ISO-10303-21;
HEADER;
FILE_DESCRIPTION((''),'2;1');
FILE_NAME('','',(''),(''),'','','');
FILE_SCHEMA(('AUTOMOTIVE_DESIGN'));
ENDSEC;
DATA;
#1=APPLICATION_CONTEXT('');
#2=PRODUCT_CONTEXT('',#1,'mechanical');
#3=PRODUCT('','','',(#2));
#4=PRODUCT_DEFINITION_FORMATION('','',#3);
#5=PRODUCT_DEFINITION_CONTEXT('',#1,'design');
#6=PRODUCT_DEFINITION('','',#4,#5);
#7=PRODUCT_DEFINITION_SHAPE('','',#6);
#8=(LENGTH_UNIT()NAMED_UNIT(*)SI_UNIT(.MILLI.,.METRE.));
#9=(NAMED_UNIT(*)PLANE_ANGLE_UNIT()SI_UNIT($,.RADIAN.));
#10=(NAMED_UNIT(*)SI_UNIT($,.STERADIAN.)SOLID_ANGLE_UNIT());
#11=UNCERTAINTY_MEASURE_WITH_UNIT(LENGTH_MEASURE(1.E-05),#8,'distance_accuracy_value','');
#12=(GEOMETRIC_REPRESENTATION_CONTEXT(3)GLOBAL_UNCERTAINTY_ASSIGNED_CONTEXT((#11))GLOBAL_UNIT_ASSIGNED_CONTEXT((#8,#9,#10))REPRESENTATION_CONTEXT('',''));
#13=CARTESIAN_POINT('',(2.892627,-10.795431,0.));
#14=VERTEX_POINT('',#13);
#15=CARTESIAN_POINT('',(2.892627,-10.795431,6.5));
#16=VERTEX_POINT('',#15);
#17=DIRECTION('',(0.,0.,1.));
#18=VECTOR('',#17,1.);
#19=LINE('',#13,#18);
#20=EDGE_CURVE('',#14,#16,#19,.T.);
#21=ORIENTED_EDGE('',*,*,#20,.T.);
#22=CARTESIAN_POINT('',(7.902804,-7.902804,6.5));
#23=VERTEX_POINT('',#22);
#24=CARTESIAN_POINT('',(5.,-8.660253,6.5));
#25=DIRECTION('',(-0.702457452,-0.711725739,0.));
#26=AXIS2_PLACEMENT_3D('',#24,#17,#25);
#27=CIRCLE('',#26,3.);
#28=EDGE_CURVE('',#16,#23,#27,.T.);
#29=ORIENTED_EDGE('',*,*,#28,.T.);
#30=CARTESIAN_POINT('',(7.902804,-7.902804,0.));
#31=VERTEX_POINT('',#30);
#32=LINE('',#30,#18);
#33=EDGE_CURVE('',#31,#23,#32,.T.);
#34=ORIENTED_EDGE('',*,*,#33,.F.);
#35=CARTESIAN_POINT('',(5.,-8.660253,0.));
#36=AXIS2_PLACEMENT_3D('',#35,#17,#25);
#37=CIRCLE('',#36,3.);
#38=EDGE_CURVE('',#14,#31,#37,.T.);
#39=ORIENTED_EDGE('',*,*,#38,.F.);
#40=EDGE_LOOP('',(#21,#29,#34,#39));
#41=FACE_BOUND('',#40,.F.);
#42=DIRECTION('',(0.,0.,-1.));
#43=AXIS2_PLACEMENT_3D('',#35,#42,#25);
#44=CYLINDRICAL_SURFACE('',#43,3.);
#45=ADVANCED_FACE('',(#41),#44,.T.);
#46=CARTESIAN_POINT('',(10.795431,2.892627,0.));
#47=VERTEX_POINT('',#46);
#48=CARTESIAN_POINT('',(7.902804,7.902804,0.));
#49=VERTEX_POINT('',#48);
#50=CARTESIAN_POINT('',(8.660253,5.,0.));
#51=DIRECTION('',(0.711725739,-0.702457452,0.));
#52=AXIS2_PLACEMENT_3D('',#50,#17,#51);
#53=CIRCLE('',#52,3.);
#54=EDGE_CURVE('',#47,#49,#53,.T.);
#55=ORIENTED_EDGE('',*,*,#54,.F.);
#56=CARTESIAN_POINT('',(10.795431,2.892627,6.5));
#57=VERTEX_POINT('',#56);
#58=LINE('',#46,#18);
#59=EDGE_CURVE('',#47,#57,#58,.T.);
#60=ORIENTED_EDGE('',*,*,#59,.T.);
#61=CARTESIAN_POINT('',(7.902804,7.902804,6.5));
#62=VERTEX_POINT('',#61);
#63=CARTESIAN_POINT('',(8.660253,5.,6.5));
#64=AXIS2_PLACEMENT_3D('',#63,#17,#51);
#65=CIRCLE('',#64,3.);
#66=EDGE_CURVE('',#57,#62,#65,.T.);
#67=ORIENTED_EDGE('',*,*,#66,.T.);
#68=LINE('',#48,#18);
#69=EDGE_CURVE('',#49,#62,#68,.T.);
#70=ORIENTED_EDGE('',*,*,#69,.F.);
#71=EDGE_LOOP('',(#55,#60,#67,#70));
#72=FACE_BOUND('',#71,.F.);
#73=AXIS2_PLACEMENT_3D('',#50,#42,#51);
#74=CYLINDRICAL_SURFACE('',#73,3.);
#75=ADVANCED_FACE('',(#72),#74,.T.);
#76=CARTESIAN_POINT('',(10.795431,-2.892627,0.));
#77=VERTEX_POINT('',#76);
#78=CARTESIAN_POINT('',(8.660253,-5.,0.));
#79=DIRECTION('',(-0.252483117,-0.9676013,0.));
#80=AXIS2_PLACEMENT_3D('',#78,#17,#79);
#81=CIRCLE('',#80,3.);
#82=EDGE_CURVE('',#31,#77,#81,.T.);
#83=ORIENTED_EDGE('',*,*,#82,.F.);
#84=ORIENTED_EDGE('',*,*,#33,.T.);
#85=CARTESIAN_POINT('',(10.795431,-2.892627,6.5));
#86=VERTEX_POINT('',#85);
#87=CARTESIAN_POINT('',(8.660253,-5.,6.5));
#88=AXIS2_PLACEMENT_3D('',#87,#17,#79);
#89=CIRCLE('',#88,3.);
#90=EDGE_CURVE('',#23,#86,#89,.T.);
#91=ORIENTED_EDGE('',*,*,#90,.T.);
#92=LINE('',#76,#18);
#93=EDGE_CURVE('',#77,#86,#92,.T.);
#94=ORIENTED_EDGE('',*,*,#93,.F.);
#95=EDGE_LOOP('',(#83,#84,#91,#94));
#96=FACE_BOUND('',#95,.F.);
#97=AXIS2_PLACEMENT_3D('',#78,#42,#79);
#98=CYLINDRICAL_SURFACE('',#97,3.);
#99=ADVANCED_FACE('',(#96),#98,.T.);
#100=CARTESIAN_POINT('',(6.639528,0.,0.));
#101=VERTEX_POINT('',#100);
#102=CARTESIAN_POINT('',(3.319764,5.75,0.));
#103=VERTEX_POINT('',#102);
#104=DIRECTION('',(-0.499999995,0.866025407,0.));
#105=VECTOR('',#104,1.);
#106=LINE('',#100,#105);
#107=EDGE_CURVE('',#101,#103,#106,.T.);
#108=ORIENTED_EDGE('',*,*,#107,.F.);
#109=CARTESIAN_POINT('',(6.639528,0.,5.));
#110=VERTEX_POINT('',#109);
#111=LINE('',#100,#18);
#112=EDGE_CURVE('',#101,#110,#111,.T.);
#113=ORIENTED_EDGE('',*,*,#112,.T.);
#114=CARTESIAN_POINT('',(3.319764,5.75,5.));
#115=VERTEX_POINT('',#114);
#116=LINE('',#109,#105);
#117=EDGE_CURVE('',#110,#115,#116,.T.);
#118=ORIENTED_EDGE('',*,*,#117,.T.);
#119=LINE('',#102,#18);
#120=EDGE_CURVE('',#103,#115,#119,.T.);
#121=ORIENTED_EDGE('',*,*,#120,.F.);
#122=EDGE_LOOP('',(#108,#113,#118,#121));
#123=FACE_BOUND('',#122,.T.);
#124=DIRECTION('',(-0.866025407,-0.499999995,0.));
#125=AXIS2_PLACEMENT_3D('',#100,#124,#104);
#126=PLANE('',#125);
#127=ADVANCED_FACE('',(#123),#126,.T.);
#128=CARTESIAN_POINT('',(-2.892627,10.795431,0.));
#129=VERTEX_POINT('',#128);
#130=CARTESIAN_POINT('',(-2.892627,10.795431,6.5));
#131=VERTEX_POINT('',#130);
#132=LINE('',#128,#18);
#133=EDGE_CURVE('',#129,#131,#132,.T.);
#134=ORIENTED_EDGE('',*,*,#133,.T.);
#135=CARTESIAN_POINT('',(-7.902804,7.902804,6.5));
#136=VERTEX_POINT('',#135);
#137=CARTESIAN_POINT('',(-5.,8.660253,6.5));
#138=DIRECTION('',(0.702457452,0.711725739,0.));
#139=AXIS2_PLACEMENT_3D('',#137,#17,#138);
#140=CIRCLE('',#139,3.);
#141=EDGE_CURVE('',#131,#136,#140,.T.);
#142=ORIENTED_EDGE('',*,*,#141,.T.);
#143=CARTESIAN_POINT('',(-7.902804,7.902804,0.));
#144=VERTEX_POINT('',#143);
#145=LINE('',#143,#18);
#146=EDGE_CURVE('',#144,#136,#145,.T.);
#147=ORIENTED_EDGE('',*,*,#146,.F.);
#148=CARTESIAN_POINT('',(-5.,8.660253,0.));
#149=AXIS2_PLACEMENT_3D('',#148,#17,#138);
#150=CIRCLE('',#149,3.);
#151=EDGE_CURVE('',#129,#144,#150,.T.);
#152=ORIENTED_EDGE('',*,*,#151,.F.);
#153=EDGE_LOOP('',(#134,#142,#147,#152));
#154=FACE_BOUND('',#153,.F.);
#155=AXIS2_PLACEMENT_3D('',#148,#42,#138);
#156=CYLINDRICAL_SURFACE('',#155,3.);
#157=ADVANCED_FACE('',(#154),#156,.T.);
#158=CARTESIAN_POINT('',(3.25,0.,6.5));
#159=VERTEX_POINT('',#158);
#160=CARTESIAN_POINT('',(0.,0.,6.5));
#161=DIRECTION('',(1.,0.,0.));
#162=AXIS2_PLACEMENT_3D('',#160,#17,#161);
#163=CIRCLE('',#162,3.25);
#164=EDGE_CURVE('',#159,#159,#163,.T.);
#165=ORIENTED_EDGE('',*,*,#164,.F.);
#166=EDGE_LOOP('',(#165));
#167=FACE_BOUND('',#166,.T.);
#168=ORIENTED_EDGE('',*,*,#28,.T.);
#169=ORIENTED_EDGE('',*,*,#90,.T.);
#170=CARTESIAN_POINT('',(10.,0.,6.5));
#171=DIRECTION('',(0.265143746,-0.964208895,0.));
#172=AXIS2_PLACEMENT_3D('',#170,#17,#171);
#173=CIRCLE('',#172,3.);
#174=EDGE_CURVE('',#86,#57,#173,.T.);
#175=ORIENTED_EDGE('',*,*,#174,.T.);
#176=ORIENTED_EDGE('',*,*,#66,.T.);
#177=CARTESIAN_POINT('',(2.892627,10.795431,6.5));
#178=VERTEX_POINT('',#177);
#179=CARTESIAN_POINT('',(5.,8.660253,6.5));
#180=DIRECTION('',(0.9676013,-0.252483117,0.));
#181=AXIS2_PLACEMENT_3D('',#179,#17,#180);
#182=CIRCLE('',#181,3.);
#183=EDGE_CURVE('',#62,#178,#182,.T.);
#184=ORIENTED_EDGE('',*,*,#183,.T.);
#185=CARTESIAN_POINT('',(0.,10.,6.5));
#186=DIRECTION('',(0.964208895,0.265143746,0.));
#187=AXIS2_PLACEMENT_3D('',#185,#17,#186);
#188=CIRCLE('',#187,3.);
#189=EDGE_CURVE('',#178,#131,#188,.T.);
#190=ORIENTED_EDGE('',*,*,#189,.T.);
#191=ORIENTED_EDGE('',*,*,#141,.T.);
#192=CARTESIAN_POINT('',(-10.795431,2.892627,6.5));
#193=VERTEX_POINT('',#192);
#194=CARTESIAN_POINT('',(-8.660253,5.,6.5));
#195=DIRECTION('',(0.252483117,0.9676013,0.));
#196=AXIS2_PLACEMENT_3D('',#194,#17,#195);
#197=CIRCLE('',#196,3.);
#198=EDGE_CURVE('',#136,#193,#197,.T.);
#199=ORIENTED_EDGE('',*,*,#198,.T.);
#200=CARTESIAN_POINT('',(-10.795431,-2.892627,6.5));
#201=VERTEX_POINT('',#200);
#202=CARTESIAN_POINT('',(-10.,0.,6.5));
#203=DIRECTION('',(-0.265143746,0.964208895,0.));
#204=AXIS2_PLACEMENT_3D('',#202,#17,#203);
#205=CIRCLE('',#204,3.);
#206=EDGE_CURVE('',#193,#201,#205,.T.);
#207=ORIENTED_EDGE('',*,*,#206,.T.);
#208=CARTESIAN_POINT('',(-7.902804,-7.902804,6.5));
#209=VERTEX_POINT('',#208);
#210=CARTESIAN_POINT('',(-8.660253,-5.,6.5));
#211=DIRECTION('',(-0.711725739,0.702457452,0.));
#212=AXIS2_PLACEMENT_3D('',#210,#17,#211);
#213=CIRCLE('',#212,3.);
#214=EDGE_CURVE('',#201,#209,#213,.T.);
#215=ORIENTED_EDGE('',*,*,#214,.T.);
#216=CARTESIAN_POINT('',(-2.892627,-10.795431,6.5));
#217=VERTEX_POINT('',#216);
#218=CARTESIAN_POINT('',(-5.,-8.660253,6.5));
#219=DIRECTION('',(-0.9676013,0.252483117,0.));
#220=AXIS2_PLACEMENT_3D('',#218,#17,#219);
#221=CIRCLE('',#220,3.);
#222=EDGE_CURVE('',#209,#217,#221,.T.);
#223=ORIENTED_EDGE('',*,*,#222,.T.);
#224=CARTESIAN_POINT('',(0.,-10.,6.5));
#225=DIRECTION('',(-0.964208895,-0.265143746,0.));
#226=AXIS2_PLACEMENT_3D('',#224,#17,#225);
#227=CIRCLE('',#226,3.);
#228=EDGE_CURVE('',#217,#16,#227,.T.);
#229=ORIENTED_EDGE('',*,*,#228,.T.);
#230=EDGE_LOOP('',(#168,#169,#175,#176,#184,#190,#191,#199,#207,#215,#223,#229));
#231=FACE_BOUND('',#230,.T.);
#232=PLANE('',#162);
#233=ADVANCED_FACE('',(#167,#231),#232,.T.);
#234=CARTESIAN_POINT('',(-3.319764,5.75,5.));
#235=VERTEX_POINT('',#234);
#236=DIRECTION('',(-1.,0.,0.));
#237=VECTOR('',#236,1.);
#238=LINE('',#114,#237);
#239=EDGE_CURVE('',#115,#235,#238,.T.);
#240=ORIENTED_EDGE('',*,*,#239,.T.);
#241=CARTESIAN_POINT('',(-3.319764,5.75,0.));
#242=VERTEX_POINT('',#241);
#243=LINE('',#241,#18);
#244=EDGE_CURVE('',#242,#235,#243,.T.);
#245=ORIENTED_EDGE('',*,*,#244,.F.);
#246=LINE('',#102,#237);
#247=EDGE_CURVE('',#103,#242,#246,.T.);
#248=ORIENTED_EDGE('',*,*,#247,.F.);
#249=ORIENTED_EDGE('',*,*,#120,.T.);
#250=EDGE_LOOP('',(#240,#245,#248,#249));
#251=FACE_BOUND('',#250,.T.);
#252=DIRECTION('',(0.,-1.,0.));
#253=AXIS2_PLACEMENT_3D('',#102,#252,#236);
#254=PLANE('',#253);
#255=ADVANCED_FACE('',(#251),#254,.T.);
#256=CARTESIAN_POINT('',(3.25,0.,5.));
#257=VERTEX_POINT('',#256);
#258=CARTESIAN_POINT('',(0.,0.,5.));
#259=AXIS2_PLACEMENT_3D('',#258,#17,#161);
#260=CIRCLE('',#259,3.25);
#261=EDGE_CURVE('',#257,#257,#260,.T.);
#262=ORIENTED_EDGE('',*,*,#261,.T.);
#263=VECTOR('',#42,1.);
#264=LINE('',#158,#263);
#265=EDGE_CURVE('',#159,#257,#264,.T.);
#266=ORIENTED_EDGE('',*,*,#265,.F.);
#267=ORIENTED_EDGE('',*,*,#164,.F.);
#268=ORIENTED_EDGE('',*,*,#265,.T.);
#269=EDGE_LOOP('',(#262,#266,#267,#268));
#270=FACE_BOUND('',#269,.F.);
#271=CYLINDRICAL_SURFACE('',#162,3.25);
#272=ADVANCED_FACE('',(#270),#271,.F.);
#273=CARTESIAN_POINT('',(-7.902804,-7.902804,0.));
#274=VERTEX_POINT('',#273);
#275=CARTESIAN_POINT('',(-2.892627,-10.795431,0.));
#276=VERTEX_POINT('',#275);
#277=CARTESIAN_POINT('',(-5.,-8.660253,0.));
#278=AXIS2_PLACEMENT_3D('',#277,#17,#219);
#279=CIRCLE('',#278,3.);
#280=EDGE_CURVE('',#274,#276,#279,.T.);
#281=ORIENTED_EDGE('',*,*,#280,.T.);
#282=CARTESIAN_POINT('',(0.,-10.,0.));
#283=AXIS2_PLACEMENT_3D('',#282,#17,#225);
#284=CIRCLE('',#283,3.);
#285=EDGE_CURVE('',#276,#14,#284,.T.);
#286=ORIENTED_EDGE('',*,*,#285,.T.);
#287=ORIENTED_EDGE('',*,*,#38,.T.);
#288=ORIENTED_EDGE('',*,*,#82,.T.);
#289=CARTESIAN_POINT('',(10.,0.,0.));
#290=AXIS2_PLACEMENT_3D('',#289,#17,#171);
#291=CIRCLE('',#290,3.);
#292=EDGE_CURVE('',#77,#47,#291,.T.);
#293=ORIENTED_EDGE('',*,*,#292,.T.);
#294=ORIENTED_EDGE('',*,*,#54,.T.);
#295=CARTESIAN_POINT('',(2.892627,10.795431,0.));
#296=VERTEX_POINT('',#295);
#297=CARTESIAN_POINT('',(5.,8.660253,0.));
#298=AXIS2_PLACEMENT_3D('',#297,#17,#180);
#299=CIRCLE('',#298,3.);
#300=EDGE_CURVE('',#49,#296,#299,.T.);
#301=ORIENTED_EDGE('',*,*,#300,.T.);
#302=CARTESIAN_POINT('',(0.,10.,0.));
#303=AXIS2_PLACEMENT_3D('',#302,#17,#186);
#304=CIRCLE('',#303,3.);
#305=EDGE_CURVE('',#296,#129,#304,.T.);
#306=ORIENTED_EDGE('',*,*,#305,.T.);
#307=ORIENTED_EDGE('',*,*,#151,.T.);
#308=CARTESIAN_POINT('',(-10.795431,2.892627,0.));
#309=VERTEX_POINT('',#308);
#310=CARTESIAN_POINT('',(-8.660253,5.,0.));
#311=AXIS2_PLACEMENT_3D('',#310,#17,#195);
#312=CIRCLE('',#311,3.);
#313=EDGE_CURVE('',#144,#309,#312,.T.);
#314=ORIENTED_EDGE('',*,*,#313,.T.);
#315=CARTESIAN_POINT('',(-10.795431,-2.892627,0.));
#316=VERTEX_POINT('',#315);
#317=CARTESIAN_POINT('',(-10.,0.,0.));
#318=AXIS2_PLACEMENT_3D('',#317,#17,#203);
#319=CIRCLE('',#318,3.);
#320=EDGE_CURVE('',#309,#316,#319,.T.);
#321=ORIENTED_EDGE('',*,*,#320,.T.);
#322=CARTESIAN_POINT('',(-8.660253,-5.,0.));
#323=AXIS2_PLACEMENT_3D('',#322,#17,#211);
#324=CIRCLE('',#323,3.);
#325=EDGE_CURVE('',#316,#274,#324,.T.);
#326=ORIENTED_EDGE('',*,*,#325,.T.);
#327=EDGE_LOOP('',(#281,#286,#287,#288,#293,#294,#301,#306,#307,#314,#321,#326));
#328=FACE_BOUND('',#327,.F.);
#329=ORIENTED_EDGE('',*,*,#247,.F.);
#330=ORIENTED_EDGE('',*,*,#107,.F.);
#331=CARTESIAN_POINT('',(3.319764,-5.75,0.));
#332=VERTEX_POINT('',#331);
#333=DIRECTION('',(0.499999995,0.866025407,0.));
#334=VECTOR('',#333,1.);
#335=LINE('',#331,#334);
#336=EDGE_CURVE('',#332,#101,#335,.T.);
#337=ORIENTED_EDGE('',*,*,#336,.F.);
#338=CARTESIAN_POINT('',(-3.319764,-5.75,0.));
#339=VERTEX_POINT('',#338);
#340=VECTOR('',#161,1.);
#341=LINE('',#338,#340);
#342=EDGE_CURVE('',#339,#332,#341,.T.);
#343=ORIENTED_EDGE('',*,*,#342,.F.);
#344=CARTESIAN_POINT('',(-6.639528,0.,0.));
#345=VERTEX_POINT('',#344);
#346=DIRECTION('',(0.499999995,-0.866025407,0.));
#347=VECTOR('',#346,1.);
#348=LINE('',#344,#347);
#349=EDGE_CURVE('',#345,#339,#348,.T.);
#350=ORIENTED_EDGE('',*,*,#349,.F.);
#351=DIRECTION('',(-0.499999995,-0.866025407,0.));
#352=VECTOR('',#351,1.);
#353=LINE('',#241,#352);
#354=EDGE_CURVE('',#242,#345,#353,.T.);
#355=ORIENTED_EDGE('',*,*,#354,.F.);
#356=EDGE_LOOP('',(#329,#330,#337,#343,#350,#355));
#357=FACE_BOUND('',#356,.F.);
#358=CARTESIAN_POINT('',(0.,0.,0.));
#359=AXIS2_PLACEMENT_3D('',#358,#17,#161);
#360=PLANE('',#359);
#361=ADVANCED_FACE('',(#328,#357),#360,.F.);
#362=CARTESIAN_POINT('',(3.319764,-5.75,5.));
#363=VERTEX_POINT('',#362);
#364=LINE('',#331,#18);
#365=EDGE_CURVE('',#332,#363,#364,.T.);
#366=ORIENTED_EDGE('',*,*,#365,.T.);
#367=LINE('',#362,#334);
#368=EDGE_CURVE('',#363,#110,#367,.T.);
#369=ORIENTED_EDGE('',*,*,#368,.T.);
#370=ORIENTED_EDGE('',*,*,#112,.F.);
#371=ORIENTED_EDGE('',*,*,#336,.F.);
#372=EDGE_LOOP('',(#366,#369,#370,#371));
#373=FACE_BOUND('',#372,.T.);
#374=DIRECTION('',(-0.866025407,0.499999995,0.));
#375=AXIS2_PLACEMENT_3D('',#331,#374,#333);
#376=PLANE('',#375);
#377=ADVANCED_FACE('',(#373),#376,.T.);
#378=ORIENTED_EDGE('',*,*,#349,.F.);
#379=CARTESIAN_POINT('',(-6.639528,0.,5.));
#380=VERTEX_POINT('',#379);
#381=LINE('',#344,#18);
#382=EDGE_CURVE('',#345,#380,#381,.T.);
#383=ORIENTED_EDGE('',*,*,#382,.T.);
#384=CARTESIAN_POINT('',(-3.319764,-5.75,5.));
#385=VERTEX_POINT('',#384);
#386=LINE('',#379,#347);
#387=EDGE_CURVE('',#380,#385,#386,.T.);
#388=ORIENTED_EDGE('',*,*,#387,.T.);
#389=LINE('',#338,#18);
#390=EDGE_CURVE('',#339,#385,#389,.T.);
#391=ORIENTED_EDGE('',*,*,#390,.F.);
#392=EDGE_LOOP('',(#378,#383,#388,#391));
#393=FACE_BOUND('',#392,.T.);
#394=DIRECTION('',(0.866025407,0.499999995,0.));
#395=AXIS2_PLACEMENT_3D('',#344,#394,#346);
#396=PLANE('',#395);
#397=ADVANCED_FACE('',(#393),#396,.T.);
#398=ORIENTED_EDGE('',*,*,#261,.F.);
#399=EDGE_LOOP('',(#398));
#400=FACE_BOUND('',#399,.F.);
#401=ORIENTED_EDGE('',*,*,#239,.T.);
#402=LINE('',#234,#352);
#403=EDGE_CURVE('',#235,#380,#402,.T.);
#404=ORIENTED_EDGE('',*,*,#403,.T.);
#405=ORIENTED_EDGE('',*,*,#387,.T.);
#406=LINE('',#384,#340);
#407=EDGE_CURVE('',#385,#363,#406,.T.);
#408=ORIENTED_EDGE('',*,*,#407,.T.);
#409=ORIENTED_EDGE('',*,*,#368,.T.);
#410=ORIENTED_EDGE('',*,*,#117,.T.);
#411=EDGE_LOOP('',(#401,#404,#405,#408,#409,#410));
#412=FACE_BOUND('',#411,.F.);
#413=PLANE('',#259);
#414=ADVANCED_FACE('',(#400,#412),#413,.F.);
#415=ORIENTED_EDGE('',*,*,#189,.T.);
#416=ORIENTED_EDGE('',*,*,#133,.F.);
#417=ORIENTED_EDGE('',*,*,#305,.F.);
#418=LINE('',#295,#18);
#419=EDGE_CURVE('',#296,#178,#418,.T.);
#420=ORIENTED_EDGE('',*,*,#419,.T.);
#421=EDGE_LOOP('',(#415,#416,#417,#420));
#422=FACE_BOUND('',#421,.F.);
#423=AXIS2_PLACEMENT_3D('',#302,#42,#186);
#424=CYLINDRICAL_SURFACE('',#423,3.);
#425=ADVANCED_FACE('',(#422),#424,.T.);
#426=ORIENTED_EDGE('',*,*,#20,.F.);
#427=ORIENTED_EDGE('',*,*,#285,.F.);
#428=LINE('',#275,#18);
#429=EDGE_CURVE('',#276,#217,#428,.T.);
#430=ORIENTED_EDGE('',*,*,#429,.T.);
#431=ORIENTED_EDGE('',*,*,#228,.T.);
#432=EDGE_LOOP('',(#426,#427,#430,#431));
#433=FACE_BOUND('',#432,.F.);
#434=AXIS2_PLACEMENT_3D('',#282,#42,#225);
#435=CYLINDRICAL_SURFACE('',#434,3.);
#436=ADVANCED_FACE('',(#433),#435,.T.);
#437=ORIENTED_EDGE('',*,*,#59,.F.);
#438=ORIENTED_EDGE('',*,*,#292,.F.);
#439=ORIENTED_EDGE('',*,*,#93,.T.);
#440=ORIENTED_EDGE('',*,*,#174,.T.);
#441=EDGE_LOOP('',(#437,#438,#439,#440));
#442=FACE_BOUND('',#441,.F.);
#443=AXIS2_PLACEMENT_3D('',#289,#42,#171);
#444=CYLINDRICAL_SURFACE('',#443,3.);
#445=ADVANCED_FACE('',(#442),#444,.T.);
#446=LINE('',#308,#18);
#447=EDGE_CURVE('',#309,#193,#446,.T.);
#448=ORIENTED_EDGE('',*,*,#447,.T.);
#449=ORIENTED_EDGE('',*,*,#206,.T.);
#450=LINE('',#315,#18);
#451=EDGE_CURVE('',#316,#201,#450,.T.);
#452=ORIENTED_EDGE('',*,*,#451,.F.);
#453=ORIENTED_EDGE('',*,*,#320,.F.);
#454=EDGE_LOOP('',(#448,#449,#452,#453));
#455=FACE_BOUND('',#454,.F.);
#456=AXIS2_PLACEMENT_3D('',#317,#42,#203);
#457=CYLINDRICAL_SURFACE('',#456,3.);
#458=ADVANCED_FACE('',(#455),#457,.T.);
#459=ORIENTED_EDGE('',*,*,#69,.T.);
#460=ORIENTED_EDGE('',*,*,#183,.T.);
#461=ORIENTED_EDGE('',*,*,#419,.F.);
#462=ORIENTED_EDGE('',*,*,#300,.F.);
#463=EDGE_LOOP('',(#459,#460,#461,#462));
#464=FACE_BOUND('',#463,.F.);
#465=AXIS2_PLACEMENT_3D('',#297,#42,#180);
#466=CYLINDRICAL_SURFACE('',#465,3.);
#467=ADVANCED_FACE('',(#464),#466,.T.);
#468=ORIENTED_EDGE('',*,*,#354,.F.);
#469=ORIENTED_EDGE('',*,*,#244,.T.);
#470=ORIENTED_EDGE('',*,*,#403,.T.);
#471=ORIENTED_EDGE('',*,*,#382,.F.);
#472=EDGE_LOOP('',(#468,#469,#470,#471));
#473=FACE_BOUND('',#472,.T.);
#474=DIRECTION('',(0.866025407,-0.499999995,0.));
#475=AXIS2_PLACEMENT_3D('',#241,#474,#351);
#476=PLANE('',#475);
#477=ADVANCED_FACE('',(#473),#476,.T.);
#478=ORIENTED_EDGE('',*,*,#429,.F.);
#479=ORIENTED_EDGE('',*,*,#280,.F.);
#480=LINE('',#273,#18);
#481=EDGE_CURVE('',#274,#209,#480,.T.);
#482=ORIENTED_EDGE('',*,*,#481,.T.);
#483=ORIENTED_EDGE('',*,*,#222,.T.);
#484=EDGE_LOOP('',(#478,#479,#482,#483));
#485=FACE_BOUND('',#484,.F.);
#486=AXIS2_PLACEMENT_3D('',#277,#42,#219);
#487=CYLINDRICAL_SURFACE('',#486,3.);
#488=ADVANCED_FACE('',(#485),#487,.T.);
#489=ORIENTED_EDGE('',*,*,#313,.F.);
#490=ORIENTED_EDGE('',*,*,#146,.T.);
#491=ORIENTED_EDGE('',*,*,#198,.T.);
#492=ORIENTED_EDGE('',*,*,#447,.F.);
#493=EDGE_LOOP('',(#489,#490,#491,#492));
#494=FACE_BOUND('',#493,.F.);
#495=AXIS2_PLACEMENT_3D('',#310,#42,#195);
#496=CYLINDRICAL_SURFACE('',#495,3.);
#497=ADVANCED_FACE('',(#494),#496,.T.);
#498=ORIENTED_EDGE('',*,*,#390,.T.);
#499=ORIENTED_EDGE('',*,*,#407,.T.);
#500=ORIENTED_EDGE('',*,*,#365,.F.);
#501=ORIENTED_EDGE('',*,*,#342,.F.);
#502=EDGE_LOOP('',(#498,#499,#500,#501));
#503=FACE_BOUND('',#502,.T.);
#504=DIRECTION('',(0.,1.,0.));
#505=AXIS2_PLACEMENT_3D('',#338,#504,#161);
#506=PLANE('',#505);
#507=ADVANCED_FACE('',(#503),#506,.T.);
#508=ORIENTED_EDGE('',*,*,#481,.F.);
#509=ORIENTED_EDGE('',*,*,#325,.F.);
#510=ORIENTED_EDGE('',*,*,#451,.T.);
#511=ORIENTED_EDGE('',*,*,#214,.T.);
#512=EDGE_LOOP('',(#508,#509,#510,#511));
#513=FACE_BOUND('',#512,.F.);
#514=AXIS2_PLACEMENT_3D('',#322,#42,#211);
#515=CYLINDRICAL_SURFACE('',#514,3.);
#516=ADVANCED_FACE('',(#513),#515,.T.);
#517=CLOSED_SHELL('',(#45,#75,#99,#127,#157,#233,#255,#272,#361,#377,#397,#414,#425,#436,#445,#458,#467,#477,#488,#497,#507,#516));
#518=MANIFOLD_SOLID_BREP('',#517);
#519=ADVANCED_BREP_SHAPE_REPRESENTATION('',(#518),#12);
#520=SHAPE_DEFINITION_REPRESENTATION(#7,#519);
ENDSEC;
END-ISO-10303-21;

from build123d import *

# Parameters (mm, degrees)
F1_DEPTH = 6.5
F2_R     = 3.25
F3_DEPTH = 25
F5_DEPTH = 5


with BuildPart() as f1:
    # F0 (on Top) → F1 (new body)
    with BuildSketch(Plane.XY):
        with BuildLine():
            ThreePointArc((2.892627, 10.795431), (0, 13), (-2.892627, 10.795431))
            ThreePointArc((-2.892627, 10.795431), (-6.5, 11.25833), (-7.902804, 7.902804))
            ThreePointArc((-7.902804, 7.902804), (-11.25833, 6.5), (-10.795431, 2.892627))
            ThreePointArc((-10.795431, 2.892627), (-13, 0), (-10.795431, -2.892627))
            ThreePointArc((-10.795431, -2.892627), (-11.25833, -6.5), (-7.902804, -7.902804))
            ThreePointArc((-7.902804, -7.902804), (-6.5, -11.25833), (-2.892627, -10.795431))
            ThreePointArc((-2.892627, -10.795431), (0, -13), (2.892627, -10.795431))
            ThreePointArc((2.892627, -10.795431), (6.5, -11.25833), (7.902804, -7.902804))
            ThreePointArc((7.902804, -7.902804), (11.25833, -6.5), (10.795431, -2.892627))
            ThreePointArc((10.795431, -2.892627), (13, 0), (10.795431, 2.892627))
            ThreePointArc((10.795431, 2.892627), (11.25833, 6.5), (7.902804, 7.902804))
            ThreePointArc((7.902804, 7.902804), (6.5, 11.25833), (2.892627, 10.795431))
        make_face()
    extrude(amount=F1_DEPTH)

    # F2 (on face) → F3 (cut)
    with BuildSketch(Plane.XY.offset(6.5)):
        Circle(F2_R)
    extrude(amount=-F3_DEPTH, mode=Mode.SUBTRACT)

    # F4 (on Top) → F5 (cut)
    with BuildSketch(Plane.XY):
        Polygon((3.319764, 5.75), (-3.319764, 5.75), (-6.639528, 0), (-3.319764, -5.75), (3.319764, -5.75), (6.639528, 0), align=None)
    extrude(amount=F5_DEPTH, mode=Mode.SUBTRACT)


solid = f1.part
